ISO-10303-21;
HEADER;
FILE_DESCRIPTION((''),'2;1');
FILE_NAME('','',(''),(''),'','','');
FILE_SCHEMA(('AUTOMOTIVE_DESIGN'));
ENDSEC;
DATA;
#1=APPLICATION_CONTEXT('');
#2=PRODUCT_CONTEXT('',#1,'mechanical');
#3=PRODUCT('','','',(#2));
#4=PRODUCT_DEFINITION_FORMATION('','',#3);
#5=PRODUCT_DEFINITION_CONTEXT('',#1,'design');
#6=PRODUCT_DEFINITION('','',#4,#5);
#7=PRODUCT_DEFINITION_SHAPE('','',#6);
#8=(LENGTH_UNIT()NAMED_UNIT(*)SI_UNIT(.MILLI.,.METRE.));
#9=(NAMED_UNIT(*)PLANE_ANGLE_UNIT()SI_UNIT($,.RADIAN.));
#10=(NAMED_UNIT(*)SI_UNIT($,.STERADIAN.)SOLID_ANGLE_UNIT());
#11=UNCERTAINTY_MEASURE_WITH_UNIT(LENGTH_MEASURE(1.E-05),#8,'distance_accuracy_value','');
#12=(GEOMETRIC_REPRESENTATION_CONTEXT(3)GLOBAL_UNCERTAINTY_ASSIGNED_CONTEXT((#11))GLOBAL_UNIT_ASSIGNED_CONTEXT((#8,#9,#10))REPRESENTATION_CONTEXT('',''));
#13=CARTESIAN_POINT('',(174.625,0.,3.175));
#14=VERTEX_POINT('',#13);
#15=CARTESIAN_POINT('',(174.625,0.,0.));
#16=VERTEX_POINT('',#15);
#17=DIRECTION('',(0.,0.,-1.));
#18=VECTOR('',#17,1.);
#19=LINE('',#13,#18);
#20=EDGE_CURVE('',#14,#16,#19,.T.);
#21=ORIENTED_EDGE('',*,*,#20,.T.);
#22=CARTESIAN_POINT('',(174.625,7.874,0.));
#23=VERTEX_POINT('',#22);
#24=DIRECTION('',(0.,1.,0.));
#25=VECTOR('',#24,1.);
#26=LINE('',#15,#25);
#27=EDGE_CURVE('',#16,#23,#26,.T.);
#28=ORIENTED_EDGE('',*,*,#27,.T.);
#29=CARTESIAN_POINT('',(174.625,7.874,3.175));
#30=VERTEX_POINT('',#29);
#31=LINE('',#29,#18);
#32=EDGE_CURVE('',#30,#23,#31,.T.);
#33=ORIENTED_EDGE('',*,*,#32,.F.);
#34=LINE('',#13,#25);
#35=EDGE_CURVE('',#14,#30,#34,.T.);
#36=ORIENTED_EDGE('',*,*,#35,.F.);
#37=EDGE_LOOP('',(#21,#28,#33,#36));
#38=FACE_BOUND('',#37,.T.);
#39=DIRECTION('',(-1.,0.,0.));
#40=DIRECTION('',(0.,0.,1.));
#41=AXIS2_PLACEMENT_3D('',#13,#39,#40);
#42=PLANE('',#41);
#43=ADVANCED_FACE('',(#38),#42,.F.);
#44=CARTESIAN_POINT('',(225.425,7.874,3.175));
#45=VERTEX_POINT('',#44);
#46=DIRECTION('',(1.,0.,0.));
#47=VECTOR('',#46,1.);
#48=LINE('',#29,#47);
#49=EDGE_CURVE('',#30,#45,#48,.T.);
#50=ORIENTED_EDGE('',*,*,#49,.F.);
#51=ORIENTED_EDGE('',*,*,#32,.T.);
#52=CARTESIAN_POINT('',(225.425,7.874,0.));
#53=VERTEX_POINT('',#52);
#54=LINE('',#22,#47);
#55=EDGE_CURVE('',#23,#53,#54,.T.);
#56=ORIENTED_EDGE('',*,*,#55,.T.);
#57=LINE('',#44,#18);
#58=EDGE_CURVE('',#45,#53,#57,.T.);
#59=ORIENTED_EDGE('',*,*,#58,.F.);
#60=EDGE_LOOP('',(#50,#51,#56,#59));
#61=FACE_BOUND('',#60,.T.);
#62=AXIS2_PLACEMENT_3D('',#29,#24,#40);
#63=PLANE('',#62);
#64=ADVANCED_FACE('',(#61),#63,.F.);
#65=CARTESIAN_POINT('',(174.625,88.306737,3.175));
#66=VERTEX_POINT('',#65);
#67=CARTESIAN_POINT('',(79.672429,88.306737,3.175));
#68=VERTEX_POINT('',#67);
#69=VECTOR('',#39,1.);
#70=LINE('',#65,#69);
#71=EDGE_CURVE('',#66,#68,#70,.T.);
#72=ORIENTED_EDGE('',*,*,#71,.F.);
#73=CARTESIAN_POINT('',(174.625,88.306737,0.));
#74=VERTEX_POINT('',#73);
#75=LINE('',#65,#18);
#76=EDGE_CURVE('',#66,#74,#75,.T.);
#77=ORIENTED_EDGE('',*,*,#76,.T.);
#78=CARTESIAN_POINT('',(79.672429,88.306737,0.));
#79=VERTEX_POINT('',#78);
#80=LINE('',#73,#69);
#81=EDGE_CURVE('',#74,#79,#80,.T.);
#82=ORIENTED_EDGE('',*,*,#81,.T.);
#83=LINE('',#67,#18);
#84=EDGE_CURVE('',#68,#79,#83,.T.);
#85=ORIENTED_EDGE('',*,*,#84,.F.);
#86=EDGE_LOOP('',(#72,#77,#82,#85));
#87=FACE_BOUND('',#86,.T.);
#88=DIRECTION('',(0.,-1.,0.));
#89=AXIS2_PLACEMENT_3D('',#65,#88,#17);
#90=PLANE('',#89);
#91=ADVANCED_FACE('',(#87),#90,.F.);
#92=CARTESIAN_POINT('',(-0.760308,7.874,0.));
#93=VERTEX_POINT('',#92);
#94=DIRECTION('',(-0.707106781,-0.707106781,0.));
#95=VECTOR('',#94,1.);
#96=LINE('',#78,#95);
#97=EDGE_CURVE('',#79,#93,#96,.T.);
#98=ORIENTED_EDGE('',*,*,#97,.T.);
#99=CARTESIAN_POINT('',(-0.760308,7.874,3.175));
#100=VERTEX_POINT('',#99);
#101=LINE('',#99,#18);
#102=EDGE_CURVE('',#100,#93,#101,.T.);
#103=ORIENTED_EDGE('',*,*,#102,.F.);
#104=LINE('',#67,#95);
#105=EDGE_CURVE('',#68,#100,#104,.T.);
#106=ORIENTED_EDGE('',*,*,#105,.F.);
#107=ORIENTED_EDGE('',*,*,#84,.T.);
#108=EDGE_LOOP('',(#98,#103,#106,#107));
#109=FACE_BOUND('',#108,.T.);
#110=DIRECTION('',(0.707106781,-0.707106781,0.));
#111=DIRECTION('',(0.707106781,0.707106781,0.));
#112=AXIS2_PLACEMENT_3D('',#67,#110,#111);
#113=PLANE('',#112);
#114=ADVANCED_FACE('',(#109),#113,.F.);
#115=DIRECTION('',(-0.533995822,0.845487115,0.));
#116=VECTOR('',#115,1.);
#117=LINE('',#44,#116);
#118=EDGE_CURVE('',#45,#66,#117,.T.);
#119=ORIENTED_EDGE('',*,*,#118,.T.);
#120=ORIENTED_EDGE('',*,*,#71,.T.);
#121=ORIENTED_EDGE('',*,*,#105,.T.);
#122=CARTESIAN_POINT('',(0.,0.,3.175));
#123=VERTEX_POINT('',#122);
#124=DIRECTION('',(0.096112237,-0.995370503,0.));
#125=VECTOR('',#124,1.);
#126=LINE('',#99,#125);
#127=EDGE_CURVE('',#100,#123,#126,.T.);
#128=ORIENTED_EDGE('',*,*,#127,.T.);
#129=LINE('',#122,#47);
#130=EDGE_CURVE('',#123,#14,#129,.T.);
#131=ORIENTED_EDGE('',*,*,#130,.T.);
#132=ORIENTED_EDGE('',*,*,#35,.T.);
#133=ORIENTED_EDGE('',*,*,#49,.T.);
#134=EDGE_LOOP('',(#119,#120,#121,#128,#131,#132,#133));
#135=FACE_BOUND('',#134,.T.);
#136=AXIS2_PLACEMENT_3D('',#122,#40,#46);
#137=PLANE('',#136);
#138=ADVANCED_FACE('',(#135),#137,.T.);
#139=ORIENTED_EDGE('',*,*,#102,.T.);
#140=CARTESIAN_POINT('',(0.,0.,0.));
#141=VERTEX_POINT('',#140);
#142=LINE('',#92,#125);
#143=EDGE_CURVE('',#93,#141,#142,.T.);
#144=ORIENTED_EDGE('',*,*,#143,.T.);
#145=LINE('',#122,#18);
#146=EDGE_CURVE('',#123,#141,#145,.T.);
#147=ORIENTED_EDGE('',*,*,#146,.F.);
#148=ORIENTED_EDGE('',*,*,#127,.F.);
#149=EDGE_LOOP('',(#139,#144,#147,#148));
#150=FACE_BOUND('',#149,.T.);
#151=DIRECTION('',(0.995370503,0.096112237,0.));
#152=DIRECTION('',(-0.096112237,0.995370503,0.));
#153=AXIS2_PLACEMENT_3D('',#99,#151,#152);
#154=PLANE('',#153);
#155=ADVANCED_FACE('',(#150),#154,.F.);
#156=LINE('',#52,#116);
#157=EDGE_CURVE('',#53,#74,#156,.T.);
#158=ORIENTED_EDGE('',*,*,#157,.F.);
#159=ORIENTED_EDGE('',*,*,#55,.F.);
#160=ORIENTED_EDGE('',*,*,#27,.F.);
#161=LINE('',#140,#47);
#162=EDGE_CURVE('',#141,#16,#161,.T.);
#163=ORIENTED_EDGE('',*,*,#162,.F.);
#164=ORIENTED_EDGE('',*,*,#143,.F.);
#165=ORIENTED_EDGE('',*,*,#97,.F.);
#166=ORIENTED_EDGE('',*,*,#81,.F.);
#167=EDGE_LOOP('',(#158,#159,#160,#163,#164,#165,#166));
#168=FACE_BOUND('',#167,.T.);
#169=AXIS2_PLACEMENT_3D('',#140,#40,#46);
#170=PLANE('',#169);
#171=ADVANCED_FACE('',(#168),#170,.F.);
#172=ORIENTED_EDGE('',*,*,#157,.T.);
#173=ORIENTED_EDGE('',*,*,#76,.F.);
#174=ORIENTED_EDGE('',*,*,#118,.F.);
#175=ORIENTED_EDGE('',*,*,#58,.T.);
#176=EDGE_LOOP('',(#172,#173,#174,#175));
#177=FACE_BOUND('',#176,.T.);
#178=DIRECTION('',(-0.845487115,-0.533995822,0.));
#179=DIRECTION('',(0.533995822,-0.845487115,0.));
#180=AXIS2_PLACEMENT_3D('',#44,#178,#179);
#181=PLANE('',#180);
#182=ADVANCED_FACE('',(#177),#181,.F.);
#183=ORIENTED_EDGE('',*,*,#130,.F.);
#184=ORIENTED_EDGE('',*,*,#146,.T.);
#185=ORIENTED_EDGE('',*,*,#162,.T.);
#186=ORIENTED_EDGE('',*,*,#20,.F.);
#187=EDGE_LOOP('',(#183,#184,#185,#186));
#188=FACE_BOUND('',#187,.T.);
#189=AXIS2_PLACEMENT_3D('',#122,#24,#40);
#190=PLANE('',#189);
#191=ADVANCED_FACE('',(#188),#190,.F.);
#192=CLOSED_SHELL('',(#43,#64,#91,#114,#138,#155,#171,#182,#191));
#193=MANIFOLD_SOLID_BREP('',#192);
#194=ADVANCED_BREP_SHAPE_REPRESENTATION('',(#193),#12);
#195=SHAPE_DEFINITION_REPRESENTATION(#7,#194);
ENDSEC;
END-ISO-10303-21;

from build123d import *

# Parameters (mm, degrees)
BOSS_EXTRUDE1_DEPTH = 3.175


with BuildPart() as part:
    # Sketch1 → Boss-Extrude1 (new body)
    with BuildSketch(Plane.XY):
        Polygon((0, 0), (174.625, 0), (174.625, 7.874), (225.425, 7.874), (174.625, 88.306736835), (79.672429238, 88.306736835), (-0.760307597, 7.874), align=None)
    extrude(amount=BOSS_EXTRUDE1_DEPTH)


solid = part.part
